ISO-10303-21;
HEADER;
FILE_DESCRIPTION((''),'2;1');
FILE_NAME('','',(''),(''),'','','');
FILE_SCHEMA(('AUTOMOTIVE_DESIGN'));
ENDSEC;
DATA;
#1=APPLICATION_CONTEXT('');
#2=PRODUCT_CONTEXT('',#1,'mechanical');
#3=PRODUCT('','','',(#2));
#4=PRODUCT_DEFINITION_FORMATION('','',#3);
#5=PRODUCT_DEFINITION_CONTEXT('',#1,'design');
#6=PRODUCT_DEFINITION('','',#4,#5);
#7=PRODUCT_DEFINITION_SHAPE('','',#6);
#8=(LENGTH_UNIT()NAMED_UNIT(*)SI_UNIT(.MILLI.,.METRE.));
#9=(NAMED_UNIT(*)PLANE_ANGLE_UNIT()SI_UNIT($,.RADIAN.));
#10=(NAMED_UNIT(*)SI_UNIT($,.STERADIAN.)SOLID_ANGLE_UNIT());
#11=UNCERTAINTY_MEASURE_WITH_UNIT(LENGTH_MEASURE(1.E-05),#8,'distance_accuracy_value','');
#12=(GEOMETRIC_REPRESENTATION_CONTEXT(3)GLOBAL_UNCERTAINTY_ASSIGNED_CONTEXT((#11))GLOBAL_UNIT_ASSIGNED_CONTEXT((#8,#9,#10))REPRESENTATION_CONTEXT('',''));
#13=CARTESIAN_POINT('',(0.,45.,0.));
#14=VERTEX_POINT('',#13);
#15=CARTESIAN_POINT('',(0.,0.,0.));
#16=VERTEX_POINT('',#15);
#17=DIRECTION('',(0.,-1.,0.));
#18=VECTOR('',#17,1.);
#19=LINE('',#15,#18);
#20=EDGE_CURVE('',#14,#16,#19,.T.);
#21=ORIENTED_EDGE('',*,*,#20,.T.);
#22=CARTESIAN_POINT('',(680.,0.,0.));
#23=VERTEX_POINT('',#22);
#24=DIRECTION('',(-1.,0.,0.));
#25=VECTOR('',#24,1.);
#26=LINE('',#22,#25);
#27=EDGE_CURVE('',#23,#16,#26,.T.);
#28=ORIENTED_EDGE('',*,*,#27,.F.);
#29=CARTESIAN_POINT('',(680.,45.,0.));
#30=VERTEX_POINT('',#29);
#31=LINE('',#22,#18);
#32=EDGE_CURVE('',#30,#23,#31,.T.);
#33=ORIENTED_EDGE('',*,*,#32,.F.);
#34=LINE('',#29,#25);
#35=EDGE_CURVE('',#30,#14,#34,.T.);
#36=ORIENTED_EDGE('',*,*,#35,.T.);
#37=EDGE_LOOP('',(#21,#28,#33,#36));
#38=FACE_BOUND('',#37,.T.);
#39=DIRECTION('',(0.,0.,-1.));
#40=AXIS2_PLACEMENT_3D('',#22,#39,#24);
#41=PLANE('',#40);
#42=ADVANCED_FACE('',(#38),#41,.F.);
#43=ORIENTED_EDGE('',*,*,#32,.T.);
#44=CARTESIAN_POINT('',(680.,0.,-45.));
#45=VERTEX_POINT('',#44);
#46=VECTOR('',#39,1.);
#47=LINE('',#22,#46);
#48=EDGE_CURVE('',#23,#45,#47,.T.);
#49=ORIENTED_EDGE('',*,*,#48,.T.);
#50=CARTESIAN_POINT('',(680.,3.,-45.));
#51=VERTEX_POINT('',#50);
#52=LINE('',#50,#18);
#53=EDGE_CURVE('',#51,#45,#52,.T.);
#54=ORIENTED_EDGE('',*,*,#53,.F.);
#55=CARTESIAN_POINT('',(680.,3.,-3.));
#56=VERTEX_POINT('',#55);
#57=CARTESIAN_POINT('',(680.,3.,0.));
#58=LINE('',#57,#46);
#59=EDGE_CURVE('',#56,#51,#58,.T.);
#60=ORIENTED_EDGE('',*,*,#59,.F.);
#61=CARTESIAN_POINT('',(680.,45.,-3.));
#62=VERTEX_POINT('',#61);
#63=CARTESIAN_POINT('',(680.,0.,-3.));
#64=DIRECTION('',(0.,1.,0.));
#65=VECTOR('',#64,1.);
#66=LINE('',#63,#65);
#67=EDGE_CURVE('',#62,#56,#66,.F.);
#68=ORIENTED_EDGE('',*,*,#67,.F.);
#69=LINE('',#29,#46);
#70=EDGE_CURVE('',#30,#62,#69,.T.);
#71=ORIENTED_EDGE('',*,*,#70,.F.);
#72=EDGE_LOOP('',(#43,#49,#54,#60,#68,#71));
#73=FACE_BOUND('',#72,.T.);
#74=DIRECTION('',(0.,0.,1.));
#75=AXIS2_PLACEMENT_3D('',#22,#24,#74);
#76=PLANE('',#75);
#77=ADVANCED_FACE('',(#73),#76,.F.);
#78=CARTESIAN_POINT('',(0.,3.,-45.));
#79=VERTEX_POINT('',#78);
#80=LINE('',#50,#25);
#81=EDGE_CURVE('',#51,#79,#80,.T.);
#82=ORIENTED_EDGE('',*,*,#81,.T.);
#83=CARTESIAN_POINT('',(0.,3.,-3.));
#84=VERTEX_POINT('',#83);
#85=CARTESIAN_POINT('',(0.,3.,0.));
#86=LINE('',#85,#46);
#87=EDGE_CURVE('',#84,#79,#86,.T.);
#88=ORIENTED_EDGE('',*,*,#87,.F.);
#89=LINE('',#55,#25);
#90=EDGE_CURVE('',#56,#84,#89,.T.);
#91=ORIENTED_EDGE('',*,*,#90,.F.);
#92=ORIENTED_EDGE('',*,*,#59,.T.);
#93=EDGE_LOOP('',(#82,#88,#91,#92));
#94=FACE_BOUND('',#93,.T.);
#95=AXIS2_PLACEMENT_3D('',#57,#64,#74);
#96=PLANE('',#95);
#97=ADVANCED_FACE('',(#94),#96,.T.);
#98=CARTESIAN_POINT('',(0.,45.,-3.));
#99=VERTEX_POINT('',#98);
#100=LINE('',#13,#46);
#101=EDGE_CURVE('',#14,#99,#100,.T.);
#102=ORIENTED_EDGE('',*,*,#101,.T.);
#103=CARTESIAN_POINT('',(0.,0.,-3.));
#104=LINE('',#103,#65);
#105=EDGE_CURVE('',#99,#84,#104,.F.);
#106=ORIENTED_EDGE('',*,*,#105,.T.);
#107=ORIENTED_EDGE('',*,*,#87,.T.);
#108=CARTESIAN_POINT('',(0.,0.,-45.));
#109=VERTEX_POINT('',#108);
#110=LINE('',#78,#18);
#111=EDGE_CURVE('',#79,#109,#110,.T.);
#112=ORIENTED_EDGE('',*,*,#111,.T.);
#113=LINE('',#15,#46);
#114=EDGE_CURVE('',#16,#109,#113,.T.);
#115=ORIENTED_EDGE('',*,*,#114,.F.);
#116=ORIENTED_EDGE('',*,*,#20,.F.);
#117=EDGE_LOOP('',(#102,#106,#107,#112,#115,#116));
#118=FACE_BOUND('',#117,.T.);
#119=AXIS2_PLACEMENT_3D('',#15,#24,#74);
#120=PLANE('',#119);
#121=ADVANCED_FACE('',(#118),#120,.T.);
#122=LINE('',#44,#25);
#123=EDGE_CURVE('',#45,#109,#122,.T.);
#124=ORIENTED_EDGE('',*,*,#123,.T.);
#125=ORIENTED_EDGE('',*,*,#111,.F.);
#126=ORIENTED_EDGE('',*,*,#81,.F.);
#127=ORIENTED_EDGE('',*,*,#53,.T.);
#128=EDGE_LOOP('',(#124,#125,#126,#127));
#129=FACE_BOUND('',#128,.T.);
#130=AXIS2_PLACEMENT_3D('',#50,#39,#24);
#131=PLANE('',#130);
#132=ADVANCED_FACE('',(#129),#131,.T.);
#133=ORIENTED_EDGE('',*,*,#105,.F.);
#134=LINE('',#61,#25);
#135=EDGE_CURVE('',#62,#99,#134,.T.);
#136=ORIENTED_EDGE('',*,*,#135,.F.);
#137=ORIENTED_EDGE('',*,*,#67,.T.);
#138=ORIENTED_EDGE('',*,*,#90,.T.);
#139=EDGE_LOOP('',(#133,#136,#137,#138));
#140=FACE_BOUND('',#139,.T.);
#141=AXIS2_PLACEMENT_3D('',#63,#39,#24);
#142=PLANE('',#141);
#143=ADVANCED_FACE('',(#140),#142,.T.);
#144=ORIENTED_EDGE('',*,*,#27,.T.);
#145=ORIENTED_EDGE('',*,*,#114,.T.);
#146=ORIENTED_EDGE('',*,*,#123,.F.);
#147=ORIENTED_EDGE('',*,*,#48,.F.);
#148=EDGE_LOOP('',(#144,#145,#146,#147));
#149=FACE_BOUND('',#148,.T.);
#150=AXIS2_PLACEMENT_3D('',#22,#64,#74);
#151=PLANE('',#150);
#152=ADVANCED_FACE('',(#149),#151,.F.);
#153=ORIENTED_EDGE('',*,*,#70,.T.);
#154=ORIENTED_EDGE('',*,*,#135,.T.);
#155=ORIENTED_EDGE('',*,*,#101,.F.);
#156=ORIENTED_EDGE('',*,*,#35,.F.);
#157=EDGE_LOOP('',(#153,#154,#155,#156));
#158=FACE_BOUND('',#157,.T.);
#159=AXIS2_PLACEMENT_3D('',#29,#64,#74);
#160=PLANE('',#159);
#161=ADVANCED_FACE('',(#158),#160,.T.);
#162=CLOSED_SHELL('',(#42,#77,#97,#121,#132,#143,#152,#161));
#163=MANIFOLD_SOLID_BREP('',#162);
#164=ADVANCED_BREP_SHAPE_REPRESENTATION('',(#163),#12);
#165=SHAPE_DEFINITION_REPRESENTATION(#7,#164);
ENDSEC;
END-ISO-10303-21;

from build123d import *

# Parameters (mm, degrees)
EXTRUDE_1_DEPTH = 680


with BuildPart() as part:
    # Эскиз1 → Вытянуть-Тонкостенный1 (new body)
    with BuildSketch(Plane(origin=(0, 0, 0), x_dir=(0, 0, -1), z_dir=(1, 0, 0))):
        Polygon((45, 0), (0, 0), (0, 45), (3, 45), (3, 3), (45, 3), align=None)
    extrude(amount=EXTRUDE_1_DEPTH)


solid = part.part
